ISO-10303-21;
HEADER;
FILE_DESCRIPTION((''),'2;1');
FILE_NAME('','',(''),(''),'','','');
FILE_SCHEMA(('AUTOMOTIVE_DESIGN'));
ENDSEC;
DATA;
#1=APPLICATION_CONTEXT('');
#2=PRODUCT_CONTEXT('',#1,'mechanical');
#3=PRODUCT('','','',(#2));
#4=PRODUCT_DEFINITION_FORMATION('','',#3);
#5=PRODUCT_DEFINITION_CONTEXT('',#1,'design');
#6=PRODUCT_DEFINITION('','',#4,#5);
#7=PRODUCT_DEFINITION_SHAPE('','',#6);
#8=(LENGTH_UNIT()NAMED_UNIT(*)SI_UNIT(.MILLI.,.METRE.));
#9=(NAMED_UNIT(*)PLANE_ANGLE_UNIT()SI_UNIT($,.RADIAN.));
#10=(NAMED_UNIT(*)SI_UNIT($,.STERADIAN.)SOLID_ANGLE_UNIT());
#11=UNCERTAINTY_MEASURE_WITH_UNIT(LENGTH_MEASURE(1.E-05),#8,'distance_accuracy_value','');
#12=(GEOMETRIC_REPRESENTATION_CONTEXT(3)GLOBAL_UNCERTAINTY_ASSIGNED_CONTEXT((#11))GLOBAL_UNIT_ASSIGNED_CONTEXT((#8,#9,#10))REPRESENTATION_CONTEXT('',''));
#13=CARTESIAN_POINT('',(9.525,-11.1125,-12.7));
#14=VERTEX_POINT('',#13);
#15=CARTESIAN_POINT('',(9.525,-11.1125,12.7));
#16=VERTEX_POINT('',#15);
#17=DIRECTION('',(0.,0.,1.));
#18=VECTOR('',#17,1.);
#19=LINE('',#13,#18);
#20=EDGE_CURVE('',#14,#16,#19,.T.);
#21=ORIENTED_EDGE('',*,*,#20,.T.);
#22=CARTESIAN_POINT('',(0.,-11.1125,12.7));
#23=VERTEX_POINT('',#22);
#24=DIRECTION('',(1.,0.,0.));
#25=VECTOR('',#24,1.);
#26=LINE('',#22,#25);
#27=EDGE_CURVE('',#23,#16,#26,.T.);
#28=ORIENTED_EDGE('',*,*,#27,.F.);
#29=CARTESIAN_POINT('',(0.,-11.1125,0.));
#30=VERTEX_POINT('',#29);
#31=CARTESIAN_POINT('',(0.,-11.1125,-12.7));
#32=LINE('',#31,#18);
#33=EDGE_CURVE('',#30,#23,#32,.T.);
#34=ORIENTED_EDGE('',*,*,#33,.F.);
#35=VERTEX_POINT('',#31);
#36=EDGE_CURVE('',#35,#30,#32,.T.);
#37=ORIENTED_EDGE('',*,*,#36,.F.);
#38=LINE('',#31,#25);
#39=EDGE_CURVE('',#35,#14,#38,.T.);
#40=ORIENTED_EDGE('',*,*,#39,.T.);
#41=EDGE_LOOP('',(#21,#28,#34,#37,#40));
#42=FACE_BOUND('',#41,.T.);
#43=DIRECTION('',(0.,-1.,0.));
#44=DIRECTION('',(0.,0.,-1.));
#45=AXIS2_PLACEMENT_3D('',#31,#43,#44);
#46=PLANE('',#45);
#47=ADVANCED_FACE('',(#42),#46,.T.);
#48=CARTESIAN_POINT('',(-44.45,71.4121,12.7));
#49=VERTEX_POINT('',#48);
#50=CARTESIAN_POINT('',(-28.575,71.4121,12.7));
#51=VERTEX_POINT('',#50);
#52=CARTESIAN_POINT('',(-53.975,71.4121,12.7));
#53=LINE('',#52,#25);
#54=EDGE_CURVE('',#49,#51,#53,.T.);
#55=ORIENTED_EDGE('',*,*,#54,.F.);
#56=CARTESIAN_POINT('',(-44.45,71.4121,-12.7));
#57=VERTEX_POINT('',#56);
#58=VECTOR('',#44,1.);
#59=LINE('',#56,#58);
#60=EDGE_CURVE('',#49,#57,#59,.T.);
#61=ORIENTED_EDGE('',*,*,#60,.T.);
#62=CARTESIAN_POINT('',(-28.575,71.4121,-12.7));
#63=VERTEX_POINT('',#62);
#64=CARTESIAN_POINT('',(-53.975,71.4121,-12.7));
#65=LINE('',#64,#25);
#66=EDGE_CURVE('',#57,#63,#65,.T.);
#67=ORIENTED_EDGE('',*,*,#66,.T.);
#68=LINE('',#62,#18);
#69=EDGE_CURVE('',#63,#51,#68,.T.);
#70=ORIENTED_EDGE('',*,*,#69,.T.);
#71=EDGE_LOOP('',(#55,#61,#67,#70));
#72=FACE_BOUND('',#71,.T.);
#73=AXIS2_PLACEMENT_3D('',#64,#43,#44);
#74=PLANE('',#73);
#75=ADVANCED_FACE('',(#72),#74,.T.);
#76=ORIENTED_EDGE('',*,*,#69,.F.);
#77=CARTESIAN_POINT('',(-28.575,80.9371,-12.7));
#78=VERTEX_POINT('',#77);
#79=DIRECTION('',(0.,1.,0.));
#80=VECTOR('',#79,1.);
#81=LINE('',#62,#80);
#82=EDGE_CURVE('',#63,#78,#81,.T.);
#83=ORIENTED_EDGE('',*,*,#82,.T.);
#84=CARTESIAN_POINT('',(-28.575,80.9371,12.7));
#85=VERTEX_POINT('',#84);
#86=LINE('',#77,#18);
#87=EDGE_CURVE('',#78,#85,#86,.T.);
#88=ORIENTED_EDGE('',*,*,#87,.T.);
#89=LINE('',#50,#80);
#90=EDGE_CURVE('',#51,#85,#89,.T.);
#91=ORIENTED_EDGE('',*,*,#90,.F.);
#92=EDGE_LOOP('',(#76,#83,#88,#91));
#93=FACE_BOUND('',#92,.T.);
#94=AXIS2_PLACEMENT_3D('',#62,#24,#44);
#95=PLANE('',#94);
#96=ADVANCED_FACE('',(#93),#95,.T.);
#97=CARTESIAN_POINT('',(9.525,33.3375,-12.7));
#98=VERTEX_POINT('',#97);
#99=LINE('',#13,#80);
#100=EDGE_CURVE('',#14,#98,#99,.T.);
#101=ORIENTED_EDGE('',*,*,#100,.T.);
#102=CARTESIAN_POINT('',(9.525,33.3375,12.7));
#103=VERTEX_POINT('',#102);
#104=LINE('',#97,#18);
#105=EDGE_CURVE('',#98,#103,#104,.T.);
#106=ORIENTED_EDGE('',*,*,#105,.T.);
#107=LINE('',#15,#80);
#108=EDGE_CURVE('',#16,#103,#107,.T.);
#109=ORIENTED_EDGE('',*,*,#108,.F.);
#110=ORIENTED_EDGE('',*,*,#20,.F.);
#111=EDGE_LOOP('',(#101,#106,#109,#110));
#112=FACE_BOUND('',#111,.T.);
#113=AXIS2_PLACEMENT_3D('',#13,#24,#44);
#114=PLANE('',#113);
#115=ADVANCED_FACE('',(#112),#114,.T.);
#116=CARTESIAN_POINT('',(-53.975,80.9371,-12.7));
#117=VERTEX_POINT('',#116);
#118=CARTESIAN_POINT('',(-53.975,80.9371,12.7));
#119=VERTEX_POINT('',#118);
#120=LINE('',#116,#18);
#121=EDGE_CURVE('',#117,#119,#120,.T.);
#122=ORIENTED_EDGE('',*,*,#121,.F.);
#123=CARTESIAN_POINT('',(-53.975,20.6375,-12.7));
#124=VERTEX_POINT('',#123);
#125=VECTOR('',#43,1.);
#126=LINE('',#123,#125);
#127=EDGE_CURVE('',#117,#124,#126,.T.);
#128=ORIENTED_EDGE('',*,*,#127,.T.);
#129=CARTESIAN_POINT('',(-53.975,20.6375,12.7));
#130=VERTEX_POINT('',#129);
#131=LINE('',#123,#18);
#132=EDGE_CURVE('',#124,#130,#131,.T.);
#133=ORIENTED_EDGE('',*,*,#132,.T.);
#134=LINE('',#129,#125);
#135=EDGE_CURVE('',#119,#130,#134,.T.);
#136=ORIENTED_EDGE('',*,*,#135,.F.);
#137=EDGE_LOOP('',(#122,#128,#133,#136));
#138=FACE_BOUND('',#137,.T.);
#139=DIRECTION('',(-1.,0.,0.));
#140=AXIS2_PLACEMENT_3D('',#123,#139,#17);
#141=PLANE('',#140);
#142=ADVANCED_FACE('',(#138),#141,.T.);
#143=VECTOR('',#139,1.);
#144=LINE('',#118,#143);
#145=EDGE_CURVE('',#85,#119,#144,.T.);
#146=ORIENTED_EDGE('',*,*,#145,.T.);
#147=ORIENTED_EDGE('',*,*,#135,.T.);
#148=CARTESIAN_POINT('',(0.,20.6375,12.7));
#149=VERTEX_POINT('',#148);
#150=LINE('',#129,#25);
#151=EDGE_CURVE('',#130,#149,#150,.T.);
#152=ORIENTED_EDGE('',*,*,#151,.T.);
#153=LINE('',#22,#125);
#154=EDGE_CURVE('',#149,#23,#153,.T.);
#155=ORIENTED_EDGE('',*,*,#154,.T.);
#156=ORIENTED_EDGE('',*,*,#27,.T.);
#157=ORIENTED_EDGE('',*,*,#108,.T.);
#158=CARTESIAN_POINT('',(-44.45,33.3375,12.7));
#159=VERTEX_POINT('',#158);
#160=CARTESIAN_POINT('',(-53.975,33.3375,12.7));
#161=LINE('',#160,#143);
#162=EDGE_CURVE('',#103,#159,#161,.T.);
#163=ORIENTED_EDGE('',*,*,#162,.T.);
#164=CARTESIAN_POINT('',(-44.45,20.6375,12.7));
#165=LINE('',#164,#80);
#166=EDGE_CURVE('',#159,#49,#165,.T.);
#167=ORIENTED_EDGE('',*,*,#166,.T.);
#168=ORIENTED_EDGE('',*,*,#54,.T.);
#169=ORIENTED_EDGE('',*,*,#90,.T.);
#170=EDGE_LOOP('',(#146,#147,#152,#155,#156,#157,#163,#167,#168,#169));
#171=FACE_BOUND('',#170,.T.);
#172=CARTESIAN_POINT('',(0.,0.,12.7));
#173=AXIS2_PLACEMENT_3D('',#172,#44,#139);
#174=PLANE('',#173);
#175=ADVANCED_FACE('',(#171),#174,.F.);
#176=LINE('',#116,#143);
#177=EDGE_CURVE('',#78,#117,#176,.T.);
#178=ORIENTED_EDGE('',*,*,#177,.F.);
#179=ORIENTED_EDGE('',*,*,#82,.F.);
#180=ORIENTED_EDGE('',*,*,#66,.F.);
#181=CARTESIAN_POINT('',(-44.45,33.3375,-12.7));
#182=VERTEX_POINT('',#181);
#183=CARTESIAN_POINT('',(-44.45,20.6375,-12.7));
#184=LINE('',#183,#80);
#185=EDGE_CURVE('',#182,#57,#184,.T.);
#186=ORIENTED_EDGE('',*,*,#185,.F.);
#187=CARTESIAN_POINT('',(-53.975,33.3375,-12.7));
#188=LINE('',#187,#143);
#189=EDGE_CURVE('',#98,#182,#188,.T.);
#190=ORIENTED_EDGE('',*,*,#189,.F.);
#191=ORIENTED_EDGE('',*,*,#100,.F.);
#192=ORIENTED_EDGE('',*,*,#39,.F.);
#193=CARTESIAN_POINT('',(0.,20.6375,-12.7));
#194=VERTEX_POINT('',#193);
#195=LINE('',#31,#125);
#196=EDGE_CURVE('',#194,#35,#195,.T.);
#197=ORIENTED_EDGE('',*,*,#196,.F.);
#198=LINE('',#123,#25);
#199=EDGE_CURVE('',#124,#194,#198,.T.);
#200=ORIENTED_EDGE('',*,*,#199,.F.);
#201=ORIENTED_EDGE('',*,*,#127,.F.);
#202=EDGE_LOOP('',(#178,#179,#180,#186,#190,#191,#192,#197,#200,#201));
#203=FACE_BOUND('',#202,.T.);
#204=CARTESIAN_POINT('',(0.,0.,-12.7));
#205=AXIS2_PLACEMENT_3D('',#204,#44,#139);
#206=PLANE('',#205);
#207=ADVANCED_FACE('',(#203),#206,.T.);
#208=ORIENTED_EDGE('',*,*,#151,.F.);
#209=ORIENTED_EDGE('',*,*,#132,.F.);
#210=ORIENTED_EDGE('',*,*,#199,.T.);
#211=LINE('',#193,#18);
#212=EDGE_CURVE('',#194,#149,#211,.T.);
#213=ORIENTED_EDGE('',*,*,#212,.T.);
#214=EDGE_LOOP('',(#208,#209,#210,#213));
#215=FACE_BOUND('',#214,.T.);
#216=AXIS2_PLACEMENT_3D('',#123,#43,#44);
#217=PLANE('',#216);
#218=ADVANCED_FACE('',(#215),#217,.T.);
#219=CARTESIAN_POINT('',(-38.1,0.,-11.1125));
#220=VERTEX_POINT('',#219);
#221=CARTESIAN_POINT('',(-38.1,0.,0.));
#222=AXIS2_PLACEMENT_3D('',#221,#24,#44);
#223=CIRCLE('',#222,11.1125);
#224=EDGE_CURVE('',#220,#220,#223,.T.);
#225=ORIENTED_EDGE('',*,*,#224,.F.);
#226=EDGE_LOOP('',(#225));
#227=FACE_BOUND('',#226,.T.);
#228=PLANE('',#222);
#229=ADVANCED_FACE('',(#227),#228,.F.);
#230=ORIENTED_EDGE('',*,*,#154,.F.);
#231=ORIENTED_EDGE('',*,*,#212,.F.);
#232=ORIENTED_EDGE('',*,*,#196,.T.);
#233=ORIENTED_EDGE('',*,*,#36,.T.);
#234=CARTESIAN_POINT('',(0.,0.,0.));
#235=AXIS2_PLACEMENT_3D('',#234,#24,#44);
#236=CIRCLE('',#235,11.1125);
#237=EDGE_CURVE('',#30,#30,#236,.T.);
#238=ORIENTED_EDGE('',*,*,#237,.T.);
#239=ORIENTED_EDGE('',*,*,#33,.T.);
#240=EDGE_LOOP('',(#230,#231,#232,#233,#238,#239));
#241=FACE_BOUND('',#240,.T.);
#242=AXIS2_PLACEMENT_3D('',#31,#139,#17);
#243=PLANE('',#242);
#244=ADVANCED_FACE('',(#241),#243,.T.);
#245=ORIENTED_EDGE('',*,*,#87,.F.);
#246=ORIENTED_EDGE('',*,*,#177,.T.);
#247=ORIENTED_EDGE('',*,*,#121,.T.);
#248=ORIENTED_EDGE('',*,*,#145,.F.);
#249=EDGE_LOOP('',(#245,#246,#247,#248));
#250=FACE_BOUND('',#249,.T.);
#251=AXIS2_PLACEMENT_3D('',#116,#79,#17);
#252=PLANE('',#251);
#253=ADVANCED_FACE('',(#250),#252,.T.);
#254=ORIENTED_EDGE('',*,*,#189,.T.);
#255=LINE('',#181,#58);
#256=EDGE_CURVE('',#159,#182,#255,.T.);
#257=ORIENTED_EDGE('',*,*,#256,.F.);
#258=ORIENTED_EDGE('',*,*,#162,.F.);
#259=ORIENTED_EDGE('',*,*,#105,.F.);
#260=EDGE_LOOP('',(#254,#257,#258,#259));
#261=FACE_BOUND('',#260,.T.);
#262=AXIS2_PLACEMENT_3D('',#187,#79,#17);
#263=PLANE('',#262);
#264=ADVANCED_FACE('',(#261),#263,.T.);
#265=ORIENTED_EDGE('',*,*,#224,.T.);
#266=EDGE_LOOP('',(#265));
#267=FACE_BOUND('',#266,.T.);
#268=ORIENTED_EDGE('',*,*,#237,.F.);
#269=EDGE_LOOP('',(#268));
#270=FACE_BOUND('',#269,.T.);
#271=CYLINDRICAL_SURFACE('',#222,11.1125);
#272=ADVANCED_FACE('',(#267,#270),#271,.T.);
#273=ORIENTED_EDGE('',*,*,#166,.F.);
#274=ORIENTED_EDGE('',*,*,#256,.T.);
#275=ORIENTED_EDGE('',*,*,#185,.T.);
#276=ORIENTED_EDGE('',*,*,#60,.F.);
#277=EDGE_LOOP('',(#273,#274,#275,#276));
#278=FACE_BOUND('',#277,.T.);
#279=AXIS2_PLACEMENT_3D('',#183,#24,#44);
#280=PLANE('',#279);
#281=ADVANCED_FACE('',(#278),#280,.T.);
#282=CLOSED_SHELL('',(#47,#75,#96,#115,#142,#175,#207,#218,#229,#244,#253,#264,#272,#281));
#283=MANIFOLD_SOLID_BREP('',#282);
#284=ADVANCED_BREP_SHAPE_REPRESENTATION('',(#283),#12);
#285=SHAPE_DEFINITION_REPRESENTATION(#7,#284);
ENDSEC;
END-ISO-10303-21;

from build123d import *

# Parameters (mm, degrees)
SKETCH1_R                = 11.1125
BOSS_EXTRUDE1_DEPTH      = 38.1
BOSS_EXTRUDE2_DEPTH      = 12.7
BOSS_EXTRUDE2_DEPTH_BACK = 12.7
SKETCH2_W                = 9.525
SKETCH2_H                = 31.75
BOSS_EXTRUDE3_DEPTH      = 12.7
BOSS_EXTRUDE3_DEPTH_BACK = 12.7
SKETCH3_W                = 63.5
SKETCH3_H                = 12.7
BOSS_EXTRUDE4_DEPTH      = 12.7
BOSS_EXTRUDE4_DEPTH_BACK = 12.7
SKETCH4_W                = 9.525
SKETCH4_H                = 60.2996
BOSS_EXTRUDE5_DEPTH      = 12.7
BOSS_EXTRUDE5_DEPTH_BACK = 12.7
SKETCH5_W                = 25.4
SKETCH5_H                = 9.525


with BuildPart() as part:
    # Sketch1 → Boss-Extrude1 (new body)
    with BuildSketch(Plane(origin=(0, 0, 0), x_dir=(0, 0, -1), z_dir=(1, 0, 0))):
        Circle(SKETCH1_R)
    extrude(amount=-BOSS_EXTRUDE1_DEPTH)

    # Sketch2 → Boss-Extrude2 (add, two sides: drawn at the far end of the back side and taken through both)
    with BuildSketch(Plane.XY.offset(-BOSS_EXTRUDE2_DEPTH_BACK)):
        with Locations((4.7625, 4.7625)):
            Rectangle(SKETCH2_W, SKETCH2_H)
    extrude(amount=BOSS_EXTRUDE2_DEPTH + BOSS_EXTRUDE2_DEPTH_BACK)

    # Sketch3 → Boss-Extrude3 (add, two sides: drawn at the far end of the back side and taken through both)
    with BuildSketch(Plane.XY.offset(-BOSS_EXTRUDE3_DEPTH_BACK)):
        with Locations((-22.225, 26.9875)):
            Rectangle(SKETCH3_W, SKETCH3_H)
    extrude(amount=BOSS_EXTRUDE3_DEPTH + BOSS_EXTRUDE3_DEPTH_BACK)

    # Sketch4 → Boss-Extrude4 (add, two sides: drawn at the far end of the back side and taken through both)
    with BuildSketch(Plane.XY.offset(-BOSS_EXTRUDE4_DEPTH_BACK)):
        with Locations((-49.2125, 50.7873)):
            Rectangle(SKETCH4_W, SKETCH4_H)
    extrude(amount=BOSS_EXTRUDE4_DEPTH + BOSS_EXTRUDE4_DEPTH_BACK)

    # Sketch5 → Boss-Extrude5 (add, two sides: drawn at the far end of the back side and taken through both)
    with BuildSketch(Plane.XY.offset(-BOSS_EXTRUDE5_DEPTH_BACK)):
        with Locations((-41.275, 76.1746)):
            Rectangle(SKETCH5_W, SKETCH5_H)
    extrude(amount=BOSS_EXTRUDE5_DEPTH + BOSS_EXTRUDE5_DEPTH_BACK)


solid = part.part
